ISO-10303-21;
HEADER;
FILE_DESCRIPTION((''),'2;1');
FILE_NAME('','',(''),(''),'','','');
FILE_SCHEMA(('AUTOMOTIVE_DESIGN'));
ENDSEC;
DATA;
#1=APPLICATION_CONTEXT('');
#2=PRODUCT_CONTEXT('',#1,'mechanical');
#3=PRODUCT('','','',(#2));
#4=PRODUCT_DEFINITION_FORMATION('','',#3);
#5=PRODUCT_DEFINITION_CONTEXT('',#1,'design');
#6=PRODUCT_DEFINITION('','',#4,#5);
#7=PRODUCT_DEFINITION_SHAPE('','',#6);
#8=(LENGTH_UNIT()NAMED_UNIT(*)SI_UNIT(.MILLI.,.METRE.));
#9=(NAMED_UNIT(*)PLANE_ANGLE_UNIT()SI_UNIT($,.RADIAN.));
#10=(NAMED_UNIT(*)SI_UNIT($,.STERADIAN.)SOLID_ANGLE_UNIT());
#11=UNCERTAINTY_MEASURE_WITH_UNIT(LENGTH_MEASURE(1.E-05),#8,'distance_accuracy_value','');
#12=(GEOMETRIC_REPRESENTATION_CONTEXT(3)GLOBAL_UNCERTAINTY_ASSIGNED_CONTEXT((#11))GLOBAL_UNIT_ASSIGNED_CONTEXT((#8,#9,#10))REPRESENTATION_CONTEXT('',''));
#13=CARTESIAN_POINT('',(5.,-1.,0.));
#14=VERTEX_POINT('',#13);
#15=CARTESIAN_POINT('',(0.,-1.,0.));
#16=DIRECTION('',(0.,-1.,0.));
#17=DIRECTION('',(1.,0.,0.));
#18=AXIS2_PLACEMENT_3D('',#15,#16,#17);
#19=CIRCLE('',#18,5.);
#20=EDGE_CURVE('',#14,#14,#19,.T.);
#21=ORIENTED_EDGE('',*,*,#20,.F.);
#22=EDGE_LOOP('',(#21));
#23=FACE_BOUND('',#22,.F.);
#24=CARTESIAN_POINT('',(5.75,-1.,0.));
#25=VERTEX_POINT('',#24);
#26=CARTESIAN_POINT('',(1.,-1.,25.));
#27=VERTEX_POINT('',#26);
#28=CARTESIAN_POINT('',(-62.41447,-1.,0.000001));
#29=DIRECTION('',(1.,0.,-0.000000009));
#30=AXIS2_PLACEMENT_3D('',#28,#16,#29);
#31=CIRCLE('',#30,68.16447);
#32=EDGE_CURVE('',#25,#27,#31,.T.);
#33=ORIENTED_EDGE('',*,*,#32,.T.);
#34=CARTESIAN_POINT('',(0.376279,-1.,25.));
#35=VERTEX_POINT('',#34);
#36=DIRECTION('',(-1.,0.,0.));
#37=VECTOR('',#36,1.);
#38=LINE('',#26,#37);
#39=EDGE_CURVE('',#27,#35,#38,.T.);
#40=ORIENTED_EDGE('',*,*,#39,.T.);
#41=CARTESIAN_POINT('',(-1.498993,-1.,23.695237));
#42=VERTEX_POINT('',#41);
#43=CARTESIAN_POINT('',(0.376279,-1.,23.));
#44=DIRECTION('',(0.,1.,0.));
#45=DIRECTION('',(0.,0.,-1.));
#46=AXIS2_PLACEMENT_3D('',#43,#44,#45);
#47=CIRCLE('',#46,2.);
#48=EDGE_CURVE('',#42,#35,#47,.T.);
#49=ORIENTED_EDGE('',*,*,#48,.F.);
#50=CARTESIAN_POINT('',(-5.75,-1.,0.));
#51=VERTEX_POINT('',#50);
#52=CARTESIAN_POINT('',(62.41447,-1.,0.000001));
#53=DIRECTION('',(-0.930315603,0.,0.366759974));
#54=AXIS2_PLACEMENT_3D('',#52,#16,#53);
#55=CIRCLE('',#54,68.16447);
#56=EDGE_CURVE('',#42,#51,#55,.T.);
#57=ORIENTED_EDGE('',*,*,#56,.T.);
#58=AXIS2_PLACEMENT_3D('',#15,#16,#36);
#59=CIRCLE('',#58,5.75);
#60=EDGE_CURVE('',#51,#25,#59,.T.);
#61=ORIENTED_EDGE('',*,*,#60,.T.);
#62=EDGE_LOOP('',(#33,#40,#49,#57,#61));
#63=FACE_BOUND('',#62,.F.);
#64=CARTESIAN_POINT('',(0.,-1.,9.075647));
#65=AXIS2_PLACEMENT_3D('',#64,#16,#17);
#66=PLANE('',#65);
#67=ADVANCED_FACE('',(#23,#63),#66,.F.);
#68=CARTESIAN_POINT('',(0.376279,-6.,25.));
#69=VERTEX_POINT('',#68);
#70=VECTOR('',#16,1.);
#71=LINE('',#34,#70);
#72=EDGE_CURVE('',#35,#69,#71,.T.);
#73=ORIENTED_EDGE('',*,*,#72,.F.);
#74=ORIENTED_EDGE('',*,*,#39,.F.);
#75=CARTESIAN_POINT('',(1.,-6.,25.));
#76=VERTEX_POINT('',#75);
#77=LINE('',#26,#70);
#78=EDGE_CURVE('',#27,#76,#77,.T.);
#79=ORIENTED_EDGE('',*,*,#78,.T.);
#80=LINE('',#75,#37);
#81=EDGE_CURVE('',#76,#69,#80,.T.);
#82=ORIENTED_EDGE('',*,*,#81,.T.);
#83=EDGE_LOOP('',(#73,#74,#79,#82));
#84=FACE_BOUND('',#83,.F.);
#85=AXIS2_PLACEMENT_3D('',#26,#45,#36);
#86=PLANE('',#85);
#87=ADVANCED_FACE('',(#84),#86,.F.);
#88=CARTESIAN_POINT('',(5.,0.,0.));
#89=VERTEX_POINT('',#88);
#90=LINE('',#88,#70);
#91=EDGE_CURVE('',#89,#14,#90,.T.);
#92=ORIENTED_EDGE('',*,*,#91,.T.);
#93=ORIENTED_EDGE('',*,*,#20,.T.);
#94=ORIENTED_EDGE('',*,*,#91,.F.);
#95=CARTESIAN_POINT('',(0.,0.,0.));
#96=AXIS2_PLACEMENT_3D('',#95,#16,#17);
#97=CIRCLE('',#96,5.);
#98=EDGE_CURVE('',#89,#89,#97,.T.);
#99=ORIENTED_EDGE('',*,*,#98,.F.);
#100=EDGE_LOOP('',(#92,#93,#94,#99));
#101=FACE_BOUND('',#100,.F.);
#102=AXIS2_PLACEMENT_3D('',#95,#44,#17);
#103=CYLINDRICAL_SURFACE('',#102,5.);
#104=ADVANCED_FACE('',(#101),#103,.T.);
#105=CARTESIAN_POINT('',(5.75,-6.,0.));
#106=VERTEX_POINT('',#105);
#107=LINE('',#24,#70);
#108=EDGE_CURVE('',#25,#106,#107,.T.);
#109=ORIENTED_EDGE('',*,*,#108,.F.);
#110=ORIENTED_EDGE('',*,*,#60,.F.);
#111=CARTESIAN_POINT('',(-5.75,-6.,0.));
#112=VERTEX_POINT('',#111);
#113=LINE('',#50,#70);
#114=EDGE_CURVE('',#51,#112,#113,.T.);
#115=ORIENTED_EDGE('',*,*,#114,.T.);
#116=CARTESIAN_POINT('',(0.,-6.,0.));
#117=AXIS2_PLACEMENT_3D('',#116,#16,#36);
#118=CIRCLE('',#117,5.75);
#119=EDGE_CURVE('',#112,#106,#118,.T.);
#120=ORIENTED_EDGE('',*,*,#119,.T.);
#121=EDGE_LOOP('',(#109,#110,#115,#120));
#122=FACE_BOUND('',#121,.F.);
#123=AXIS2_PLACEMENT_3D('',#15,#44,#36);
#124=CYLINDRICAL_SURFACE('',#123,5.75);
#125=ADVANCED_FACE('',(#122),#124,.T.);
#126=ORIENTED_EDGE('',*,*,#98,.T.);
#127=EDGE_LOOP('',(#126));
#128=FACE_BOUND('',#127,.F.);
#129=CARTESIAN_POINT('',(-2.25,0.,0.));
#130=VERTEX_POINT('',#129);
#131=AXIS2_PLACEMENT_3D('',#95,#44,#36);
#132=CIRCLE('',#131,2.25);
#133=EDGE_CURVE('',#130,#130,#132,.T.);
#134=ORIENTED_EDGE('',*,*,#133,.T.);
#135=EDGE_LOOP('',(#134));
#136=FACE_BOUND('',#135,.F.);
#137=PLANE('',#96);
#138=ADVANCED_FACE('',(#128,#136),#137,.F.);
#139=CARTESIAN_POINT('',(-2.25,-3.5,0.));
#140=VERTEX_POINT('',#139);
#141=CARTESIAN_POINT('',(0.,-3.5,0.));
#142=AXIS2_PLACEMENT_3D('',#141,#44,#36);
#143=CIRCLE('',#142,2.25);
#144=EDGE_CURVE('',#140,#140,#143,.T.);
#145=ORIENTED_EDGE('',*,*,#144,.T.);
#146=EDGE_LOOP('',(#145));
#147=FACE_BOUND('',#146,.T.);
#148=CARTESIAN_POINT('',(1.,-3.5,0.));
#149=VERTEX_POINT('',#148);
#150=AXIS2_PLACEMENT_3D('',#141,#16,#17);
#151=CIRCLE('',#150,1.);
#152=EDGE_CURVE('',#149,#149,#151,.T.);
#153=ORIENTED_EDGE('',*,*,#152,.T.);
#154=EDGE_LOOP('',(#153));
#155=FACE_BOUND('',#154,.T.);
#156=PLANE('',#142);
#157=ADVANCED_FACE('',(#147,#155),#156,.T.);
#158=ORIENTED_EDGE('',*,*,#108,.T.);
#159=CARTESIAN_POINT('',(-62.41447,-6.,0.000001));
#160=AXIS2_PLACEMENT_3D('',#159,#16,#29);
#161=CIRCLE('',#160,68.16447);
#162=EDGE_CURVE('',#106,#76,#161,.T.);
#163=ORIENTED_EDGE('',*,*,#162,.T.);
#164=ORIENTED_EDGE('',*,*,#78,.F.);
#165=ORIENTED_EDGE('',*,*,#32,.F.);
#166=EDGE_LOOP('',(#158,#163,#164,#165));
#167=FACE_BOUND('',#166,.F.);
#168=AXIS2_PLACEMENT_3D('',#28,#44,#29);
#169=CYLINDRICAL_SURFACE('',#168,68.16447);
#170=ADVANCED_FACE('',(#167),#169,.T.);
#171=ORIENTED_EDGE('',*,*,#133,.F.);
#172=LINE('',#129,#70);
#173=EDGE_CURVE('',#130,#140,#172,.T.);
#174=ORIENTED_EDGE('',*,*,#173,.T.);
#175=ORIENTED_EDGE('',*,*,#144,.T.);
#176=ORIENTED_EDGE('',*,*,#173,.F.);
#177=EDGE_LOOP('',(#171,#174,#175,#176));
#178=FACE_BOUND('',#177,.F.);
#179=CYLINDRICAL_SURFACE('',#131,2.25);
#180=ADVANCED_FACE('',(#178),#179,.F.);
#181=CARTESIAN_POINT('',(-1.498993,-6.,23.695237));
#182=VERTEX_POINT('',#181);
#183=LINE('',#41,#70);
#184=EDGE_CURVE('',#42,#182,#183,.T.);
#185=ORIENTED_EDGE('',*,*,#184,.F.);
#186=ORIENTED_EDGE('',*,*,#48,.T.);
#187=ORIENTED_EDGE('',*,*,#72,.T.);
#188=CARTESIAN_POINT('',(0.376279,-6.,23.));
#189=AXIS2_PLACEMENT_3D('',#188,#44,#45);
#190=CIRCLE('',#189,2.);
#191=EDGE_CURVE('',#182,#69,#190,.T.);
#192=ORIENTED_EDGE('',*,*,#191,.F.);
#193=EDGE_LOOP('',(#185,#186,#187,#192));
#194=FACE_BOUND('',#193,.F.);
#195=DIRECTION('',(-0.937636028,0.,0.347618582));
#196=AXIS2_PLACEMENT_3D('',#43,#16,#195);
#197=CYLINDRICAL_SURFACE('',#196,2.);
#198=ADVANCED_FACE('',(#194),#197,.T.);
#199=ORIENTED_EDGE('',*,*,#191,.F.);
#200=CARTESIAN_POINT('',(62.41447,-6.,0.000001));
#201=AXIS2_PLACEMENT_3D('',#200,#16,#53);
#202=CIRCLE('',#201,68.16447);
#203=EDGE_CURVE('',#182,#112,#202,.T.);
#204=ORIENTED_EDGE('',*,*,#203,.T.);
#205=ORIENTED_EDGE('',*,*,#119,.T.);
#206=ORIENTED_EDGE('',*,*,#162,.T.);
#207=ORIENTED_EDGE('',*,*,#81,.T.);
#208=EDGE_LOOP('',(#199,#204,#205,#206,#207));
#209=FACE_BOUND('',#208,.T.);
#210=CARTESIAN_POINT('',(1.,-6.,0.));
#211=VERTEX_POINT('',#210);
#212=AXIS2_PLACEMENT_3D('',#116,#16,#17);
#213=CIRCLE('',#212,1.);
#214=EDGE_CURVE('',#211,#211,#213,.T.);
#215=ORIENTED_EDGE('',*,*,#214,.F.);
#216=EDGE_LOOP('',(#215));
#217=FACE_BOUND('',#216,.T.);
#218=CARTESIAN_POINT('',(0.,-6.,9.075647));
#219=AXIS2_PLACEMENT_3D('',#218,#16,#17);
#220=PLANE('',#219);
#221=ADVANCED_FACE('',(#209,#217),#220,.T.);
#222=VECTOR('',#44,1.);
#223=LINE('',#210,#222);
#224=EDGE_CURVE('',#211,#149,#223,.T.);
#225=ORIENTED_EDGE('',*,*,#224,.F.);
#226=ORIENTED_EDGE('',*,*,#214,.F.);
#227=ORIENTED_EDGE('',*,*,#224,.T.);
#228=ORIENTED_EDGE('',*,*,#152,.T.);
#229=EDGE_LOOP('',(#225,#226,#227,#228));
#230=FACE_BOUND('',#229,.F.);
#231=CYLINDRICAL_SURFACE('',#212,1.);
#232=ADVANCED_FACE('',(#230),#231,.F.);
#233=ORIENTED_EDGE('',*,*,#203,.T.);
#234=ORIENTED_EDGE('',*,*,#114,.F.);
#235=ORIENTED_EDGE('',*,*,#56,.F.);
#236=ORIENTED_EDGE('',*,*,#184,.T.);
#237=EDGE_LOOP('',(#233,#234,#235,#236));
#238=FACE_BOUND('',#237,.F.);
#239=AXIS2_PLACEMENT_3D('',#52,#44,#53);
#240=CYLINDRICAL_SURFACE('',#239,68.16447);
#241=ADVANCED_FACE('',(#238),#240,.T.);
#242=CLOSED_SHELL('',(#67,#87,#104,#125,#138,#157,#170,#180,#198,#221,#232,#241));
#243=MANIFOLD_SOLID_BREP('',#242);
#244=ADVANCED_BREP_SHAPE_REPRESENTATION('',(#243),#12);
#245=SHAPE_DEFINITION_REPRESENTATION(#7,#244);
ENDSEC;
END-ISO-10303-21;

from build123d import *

# Parameters (mm, degrees)
F0_R     = 5
F1_DEPTH = 1
F3_DEPTH = 5
F4_R     = 2.25
F5_DEPTH = 3.5
F6_R     = 1
F7_DEPTH = 25
F8_R     = 2


with BuildPart() as f1:
    # F0 (on Front) → F1 (new body)
    with BuildSketch(Plane.XZ):
        Circle(F0_R)
    extrude(amount=F1_DEPTH)

    # F2 (on face) → F3 (join)
    with BuildSketch(Plane.XZ.offset(1)):
        with BuildLine():
            ThreePointArc((-1, 25), (-4.551972, 12.723625), (-5.75, 0))
            ThreePointArc((-5.75, 0), (0, -5.75), (5.75, 0))
            ThreePointArc((5.75, 0), (4.551972, 12.723625), (1, 25))
            Line((1, 25), (-1, 25))
        make_face()
    extrude(amount=F3_DEPTH)

    # F4 (on face) → F5 (cut)
    with BuildSketch(Plane(origin=(0, 0, 0), x_dir=(-1, 0, 0), z_dir=(0, 1, 0))):
        Circle(F4_R)
    extrude(amount=-F5_DEPTH, mode=Mode.SUBTRACT)

    # F6 (on face) → F7 (cut)
    with BuildSketch(Plane.XZ.offset(6)):
        Circle(F6_R)
    extrude(amount=-F7_DEPTH, mode=Mode.SUBTRACT)

    # F8
    f8_edges = [f1.edges().sort_by_distance(p)[0] for p in [
        (-1, -3.5, 25),
    ]]
    fillet(f8_edges, radius=F8_R)


solid = f1.part
